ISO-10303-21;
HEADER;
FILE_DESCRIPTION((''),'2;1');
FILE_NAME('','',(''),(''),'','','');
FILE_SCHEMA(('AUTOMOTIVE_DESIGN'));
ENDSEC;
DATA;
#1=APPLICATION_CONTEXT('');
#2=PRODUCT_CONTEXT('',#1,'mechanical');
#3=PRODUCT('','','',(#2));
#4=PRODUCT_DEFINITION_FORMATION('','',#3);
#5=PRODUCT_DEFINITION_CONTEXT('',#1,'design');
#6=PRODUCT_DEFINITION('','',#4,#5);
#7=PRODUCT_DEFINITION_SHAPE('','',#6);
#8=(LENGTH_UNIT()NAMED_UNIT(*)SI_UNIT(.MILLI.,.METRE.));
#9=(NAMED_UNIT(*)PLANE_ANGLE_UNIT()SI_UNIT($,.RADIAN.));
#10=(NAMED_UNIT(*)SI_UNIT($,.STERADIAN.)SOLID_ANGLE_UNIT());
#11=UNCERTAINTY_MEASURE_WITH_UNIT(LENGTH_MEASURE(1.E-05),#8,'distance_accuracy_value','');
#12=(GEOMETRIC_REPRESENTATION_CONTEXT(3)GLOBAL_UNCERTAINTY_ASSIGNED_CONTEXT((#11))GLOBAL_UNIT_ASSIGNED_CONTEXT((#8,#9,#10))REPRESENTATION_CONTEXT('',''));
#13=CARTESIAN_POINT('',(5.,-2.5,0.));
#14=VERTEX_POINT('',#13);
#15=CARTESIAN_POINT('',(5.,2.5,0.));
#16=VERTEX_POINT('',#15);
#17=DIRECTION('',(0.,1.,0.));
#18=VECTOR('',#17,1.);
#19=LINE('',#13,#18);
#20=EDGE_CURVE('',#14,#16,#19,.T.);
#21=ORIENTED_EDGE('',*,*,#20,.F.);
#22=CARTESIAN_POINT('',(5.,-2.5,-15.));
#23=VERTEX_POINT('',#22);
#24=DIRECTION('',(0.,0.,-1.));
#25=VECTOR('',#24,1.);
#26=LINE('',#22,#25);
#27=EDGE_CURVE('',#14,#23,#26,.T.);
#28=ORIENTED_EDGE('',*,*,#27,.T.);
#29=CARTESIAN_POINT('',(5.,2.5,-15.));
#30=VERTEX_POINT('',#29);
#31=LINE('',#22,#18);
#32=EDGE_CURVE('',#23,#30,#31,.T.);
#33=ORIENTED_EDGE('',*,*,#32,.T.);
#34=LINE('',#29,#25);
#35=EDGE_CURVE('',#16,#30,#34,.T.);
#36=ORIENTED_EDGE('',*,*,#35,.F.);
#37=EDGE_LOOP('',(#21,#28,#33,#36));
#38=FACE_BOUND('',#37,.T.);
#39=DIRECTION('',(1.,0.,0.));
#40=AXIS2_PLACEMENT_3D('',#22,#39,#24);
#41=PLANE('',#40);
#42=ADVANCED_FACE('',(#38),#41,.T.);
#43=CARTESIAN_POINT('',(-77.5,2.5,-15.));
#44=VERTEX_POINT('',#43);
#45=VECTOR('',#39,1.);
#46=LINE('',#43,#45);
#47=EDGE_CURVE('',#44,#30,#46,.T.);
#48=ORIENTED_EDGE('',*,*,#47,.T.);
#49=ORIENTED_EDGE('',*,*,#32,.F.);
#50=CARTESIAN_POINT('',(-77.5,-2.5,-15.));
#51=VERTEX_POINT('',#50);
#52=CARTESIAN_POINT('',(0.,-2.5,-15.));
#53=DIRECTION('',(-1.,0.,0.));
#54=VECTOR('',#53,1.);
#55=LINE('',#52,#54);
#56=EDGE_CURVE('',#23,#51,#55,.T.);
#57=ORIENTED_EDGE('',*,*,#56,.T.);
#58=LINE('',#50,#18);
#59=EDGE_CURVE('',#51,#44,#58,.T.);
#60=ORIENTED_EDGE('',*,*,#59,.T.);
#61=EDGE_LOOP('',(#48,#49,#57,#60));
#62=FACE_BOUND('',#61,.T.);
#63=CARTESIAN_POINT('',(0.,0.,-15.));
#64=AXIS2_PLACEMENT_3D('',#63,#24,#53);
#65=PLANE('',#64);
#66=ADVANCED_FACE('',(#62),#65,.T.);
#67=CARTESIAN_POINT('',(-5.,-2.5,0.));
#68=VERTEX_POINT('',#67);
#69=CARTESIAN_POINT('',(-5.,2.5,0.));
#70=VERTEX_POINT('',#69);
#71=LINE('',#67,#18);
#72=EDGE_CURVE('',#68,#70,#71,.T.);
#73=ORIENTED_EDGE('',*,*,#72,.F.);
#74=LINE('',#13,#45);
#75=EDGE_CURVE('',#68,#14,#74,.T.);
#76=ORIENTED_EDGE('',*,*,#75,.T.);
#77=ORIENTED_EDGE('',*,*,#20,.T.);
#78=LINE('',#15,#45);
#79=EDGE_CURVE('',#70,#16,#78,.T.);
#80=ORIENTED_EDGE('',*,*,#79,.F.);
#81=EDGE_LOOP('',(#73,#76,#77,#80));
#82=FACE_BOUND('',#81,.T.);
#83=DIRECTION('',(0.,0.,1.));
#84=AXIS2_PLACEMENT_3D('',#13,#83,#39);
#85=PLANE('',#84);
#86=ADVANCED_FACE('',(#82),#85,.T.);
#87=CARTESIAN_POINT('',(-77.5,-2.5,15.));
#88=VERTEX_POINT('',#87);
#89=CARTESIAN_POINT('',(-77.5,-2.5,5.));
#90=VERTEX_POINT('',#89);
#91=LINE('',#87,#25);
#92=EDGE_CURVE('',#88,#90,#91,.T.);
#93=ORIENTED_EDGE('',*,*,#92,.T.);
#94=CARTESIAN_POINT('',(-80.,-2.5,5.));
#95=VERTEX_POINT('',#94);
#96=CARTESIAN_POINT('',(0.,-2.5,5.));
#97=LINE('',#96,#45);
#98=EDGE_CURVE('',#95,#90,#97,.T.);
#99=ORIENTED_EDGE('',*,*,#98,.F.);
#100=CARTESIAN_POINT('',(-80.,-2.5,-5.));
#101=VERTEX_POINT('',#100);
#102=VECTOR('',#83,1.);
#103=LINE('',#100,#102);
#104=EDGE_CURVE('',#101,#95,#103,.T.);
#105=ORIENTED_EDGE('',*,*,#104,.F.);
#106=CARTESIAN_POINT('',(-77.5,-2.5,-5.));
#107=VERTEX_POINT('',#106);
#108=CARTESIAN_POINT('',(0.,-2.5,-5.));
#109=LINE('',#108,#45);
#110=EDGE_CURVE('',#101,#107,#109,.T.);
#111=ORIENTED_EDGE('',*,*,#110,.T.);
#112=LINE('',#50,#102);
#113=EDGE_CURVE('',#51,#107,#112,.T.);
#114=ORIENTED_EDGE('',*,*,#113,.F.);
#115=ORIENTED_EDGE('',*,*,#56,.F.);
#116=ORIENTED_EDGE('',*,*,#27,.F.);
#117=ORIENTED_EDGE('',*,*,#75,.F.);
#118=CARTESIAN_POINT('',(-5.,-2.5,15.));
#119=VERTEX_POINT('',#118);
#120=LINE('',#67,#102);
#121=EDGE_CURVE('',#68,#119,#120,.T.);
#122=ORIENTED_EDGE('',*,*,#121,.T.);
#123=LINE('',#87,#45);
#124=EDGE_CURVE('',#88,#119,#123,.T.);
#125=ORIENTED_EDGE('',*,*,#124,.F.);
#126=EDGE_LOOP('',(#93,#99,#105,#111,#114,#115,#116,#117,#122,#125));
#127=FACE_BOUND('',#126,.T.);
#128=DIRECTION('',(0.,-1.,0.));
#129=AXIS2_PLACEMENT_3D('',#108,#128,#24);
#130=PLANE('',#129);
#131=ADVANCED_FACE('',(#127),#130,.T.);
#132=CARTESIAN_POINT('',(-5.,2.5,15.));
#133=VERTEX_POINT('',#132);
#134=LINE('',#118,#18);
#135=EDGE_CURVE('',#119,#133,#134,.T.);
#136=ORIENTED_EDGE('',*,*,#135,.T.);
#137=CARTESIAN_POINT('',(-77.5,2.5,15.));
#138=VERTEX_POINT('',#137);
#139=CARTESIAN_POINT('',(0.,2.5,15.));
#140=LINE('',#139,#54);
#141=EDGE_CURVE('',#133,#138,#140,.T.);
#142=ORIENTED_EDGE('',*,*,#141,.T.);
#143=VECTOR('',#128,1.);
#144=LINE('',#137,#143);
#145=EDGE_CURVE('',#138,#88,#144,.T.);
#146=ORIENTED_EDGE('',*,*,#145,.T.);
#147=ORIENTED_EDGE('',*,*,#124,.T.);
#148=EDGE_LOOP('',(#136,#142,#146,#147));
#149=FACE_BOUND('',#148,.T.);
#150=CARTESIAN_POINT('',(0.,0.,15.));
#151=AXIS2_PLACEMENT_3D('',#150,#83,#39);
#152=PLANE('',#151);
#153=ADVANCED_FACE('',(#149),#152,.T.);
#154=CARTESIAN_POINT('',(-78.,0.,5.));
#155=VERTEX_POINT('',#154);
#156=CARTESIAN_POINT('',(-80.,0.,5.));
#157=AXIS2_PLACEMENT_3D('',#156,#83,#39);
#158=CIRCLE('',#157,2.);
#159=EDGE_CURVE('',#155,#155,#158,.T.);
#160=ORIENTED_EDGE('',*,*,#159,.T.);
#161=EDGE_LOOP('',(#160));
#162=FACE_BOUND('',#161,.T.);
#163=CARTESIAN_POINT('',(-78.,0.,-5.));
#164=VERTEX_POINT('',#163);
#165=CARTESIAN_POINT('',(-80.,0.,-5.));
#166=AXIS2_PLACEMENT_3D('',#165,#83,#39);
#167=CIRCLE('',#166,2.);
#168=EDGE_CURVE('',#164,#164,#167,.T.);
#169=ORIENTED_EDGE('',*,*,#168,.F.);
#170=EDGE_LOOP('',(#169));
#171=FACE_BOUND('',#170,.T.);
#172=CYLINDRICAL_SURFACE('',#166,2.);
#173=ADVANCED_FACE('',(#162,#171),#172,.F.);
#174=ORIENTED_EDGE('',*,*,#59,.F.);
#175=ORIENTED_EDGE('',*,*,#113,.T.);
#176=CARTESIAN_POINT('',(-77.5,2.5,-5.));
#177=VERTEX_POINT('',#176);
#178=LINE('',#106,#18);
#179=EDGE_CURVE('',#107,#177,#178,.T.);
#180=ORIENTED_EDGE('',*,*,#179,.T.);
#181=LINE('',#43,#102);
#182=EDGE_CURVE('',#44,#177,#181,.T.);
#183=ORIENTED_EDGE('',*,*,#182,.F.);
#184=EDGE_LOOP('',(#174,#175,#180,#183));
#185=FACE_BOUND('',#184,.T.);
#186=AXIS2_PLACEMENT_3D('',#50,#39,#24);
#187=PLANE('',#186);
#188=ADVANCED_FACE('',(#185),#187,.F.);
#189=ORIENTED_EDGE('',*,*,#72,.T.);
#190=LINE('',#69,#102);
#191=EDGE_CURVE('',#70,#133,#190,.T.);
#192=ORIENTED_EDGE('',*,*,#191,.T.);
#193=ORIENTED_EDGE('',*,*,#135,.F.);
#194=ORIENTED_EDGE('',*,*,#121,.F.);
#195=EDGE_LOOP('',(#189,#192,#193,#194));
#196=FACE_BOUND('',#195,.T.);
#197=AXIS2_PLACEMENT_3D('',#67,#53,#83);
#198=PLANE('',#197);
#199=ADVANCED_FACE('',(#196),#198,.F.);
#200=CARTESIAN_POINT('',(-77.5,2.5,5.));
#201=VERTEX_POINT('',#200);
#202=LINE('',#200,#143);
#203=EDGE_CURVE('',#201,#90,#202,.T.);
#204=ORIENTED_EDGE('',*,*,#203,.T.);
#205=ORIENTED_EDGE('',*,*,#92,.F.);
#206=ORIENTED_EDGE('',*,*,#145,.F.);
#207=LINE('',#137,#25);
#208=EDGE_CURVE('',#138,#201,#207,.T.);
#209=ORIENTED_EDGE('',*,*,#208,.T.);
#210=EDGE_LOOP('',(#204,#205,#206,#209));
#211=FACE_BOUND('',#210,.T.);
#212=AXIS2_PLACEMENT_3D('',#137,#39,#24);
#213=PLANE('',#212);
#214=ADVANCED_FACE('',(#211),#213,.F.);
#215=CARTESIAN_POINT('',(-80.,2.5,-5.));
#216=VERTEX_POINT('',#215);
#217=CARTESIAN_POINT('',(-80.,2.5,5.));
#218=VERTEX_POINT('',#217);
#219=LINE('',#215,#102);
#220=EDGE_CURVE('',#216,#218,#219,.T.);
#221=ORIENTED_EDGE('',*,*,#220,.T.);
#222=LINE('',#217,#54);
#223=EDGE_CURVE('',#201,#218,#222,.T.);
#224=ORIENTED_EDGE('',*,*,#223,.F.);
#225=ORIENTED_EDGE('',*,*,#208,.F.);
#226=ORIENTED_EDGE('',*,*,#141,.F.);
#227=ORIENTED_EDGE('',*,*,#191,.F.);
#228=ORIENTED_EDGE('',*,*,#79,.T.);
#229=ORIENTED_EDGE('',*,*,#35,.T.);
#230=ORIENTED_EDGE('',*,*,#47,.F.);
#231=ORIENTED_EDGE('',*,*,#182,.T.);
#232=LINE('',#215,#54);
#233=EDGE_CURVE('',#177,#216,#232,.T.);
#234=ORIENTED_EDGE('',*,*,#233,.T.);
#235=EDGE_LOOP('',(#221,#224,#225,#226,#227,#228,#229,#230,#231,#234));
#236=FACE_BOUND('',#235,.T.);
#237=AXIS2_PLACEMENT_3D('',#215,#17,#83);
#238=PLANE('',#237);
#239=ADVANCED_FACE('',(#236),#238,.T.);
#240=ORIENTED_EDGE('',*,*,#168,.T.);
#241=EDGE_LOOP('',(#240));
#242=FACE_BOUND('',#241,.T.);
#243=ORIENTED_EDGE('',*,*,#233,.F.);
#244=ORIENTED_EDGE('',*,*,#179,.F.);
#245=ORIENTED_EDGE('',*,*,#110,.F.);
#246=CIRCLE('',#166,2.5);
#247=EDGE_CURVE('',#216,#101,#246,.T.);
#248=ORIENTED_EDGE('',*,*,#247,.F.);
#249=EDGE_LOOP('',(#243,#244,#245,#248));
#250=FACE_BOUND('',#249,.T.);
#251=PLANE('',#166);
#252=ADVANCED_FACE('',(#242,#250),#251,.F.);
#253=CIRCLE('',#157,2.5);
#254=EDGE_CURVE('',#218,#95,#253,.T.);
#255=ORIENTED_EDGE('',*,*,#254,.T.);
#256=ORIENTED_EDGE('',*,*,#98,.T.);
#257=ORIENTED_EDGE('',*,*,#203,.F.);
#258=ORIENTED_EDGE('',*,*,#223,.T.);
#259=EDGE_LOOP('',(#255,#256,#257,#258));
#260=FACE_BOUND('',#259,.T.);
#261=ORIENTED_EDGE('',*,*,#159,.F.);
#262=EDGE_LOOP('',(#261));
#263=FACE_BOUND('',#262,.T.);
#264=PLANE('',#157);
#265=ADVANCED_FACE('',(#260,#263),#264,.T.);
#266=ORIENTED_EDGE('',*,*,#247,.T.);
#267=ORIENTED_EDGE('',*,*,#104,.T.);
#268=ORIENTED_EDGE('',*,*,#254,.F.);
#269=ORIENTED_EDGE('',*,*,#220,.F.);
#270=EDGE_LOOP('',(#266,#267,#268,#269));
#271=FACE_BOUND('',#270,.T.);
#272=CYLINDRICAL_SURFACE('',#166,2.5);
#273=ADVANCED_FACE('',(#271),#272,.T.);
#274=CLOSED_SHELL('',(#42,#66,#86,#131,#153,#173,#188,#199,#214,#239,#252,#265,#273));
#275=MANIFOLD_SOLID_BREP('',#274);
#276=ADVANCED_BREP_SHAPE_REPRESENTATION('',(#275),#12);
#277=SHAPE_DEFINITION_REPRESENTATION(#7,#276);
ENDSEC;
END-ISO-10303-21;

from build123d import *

# Parameters (mm, degrees)
BASE_DEPTH              = 5
BASE_DEPTH_BACK         = 5
ESQUISSE1_R             = 2
ESQUISSE2_W             = 77.5
ESQUISSE2_H             = 5
BOSS_EXTRU_2_DEPTH      = 10
ESQUISSE3_W             = 77.5
ESQUISSE3_H             = 5
BOSS_EXTRU_3_DEPTH      = 10
ESQUISSE4_W             = 5
ESQUISSE4_H             = 15
BOSS_EXTRU_4_DEPTH      = 5
ESQUISSE5_W             = 5
ESQUISSE5_H             = 15
ENL_V_MAT_EXTRU_1_DEPTH = 5


with BuildPart() as part:
    # Esquisse1 → BASE (new, two sides: drawn at the far end of the back side and taken through both)
    with BuildSketch(Plane.XY.offset(-BASE_DEPTH_BACK)):
        with BuildLine():
            Line((-80, 2.5), (0, 2.5))
            Line((0, 2.5), (0, -2.5))
            Line((0, -2.5), (-80, -2.5))
            ThreePointArc((-80, -2.5), (-82.5, 0), (-80, 2.5))
        make_face()
        with Locations((-80, 0)):
            Circle(ESQUISSE1_R, mode=Mode.SUBTRACT)
    extrude(amount=BASE_DEPTH + BASE_DEPTH_BACK)

    # Esquisse2 → Boss.-Extru.2 (add)
    with BuildSketch(Plane.XY.offset(5)):
        with Locations((-38.75, 0)):
            Rectangle(ESQUISSE2_W, ESQUISSE2_H)
    extrude(amount=BOSS_EXTRU_2_DEPTH)

    # Esquisse3 → Boss.-Extru.3 (add)
    with BuildSketch(Plane(origin=(0, 0, -5), x_dir=(-1, 0, 0), z_dir=(0, 0, -1))):
        with Locations((38.75, 0)):
            Rectangle(ESQUISSE3_W, ESQUISSE3_H)
    extrude(amount=BOSS_EXTRU_3_DEPTH)

    # Esquisse4 → Boss.-Extru.4 (add)
    with BuildSketch(Plane(origin=(0, 2.5, 0), x_dir=(1, 0, 0), z_dir=(0, 1, 0))):
        with Locations((2.5, 7.5)):
            Rectangle(ESQUISSE4_W, ESQUISSE4_H)
    extrude(amount=-BOSS_EXTRU_4_DEPTH)

    # Esquisse5 → Enlèv. mat.-Extru.1 (cut)
    with BuildSketch(Plane(origin=(0, 2.5, 0), x_dir=(1, 0, 0), z_dir=(0, 1, 0))):
        with Locations((-2.5, -7.5)):
            Rectangle(ESQUISSE5_W, ESQUISSE5_H)
    extrude(amount=-ENL_V_MAT_EXTRU_1_DEPTH, mode=Mode.SUBTRACT)


solid = part.part
